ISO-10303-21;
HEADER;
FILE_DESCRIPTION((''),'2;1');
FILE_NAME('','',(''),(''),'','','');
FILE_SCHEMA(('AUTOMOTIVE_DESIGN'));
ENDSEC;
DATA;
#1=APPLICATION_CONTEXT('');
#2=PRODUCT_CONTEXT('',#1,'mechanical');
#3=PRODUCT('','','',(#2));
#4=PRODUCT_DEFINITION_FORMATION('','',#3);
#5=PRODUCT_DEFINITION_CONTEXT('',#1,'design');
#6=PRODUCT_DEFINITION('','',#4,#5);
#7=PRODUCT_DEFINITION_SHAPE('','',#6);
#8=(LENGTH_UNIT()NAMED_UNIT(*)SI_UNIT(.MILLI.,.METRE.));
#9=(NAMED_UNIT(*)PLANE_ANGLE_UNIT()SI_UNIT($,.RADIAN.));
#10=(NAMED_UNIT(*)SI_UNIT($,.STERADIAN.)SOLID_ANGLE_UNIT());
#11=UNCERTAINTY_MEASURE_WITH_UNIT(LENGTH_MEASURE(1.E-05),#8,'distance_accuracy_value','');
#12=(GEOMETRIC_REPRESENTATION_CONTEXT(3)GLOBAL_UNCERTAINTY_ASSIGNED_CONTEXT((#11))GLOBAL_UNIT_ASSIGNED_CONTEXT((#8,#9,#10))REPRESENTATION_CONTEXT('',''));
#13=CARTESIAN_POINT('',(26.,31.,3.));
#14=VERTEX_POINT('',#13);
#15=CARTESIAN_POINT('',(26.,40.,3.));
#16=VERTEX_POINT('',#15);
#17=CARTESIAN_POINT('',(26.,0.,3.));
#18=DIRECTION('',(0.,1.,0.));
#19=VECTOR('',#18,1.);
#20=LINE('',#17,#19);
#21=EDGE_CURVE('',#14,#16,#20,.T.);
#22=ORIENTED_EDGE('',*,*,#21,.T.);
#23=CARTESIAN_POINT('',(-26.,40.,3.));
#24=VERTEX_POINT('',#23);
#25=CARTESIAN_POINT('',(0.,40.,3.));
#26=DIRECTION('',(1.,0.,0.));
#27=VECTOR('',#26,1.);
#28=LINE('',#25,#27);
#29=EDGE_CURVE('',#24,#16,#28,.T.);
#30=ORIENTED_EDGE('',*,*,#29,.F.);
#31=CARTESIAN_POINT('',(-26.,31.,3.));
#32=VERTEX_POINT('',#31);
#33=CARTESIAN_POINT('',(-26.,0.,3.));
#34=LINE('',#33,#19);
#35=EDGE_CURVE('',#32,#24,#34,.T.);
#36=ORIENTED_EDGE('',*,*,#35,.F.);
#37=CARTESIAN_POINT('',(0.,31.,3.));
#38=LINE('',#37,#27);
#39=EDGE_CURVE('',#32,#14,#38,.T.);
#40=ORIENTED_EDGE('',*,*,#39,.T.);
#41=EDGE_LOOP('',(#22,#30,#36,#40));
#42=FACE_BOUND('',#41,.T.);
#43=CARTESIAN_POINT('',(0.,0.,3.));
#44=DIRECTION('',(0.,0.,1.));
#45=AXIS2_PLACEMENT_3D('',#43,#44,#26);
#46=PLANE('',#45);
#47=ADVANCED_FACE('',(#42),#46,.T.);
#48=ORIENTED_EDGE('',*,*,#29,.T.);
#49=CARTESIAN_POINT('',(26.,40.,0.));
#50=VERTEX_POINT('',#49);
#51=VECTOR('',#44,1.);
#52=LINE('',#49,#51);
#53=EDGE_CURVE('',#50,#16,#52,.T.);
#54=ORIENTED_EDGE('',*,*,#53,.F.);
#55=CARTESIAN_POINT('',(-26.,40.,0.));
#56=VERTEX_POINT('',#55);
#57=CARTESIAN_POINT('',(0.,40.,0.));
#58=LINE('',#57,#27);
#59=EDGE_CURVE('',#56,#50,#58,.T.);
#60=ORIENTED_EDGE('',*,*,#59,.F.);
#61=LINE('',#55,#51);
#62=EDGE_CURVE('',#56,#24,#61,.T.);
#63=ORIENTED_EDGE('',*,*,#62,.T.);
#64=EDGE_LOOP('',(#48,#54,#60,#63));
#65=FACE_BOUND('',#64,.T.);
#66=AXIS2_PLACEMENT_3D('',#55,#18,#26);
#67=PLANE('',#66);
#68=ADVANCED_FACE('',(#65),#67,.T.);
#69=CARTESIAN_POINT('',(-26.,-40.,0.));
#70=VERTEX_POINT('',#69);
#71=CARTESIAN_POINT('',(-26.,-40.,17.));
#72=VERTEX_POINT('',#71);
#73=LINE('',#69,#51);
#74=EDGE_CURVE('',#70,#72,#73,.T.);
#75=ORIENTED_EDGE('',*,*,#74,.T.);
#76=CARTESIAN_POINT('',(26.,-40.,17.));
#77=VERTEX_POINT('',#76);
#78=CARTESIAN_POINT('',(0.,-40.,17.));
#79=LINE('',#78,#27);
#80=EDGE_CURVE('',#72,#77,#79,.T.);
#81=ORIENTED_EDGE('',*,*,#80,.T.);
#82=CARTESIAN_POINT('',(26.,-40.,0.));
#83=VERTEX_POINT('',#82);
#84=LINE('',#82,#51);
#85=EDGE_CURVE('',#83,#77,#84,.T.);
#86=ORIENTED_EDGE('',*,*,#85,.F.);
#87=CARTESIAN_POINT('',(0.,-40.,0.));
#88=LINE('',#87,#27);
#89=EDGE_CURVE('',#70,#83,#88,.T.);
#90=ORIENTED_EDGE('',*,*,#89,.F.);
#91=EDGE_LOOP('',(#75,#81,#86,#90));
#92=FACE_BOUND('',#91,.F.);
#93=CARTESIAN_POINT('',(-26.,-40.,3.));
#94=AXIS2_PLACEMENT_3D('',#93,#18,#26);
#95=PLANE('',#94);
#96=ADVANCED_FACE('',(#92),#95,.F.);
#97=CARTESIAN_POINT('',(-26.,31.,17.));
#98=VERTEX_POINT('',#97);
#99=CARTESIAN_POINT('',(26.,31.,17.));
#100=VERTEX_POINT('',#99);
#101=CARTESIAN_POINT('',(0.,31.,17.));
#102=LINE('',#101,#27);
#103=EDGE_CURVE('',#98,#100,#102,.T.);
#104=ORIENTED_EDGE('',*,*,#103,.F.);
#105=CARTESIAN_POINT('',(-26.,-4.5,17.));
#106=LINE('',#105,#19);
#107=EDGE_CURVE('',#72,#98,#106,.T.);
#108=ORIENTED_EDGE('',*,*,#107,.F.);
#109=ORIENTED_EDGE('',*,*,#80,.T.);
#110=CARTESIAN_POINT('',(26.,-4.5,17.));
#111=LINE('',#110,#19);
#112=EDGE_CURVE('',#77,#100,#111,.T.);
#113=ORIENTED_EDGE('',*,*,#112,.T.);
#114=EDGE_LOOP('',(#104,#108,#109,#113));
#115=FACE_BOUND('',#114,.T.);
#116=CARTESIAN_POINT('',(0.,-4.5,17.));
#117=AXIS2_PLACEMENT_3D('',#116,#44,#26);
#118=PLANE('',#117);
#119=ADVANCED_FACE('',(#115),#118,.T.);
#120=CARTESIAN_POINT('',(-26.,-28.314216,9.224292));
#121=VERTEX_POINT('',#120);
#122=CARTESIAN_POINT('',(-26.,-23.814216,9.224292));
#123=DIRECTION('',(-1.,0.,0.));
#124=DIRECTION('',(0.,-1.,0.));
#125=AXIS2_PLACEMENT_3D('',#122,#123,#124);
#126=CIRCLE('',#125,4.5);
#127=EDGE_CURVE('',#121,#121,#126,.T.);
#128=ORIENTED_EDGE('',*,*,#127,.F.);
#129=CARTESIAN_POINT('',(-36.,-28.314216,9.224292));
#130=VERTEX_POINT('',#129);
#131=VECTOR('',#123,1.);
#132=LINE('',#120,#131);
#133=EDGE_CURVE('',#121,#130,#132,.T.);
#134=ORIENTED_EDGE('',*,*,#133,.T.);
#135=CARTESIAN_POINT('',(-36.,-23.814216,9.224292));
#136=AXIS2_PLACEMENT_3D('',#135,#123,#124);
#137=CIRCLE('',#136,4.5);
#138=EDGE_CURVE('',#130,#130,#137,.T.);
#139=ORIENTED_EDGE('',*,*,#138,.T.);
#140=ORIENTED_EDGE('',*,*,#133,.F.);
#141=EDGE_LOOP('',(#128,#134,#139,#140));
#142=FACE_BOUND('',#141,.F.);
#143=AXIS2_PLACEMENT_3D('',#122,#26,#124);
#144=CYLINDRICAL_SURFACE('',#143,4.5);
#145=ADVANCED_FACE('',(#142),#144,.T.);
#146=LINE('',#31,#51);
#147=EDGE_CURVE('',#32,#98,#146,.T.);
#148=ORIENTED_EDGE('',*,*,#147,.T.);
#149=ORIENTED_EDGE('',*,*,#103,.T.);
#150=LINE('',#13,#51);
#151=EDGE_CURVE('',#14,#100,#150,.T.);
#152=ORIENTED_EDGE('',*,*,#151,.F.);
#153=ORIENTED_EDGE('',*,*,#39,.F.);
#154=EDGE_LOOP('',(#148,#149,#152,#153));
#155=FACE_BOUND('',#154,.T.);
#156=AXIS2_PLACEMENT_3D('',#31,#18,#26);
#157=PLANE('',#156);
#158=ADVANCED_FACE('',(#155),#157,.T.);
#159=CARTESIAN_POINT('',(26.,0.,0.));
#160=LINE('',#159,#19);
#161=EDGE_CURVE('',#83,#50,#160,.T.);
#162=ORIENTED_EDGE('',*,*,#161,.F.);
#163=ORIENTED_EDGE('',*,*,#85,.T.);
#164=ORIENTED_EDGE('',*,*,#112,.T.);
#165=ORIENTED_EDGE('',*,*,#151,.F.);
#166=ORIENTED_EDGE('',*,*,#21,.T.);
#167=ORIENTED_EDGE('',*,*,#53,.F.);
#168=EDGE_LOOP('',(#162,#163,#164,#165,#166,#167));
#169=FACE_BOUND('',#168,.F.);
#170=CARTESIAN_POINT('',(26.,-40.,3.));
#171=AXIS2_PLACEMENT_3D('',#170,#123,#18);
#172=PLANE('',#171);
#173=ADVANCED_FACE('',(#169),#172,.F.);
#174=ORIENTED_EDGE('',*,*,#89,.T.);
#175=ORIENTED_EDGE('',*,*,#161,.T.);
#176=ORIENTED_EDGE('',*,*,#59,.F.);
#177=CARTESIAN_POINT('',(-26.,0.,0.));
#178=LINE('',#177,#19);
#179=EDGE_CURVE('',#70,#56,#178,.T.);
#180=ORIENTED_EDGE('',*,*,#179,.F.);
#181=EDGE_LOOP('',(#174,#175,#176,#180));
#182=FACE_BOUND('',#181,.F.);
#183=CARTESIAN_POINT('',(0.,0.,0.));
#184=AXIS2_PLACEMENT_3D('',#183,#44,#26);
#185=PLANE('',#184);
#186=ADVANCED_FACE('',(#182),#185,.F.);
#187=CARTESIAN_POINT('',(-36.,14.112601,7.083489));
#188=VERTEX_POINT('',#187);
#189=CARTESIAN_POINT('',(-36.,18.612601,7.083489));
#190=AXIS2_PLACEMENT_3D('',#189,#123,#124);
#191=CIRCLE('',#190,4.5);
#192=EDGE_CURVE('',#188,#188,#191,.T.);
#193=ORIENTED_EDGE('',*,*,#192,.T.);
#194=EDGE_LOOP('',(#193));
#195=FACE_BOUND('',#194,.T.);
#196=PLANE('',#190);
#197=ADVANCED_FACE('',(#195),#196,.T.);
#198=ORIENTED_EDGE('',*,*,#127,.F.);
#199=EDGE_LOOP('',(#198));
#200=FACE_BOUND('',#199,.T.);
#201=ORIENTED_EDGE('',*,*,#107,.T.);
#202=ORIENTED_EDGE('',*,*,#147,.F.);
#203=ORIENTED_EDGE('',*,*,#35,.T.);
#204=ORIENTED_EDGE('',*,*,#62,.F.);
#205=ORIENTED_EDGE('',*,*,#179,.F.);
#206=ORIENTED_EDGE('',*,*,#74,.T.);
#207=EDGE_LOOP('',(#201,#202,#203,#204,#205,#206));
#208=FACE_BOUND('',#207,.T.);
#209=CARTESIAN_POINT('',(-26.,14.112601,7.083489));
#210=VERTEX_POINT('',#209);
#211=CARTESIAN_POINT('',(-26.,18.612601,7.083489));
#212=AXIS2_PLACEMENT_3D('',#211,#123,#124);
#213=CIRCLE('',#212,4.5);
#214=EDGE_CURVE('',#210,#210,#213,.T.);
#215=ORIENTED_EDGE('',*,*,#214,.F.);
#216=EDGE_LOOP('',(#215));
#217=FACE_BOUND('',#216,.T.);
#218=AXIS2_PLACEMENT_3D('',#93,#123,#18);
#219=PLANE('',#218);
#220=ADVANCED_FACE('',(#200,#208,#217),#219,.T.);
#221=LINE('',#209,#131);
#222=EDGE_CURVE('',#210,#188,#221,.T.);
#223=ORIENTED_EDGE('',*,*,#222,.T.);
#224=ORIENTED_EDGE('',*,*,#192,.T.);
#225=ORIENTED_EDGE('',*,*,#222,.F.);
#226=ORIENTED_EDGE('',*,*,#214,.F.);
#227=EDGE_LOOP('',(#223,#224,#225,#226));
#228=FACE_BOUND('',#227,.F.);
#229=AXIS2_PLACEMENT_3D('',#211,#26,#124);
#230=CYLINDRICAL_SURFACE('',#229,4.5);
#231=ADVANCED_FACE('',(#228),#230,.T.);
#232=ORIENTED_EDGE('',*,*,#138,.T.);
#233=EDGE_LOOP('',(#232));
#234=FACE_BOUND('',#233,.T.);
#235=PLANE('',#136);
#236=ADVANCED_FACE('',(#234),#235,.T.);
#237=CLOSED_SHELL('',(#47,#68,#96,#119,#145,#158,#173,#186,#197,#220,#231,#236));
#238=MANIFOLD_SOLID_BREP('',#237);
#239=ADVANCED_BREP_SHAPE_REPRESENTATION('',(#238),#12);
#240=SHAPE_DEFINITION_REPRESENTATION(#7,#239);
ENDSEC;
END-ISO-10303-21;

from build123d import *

# Parameters (mm, degrees)
F0_W     = 52
F0_H     = 80
F1_DEPTH = 3
F2_W     = 52
F2_H     = 71
F3_DEPTH = 14
F4_R     = 4.5
F5_DEPTH = 10


with BuildPart() as f1:
    # F0 (on Top) → F1 (new body)
    with BuildSketch(Plane.XY):
        Rectangle(F0_W, F0_H)
    extrude(amount=F1_DEPTH)

    # F2 (on face) → F3 (join)
    with BuildSketch(Plane.XY.offset(3)):
        with Locations((0, -4.5)):
            Rectangle(F2_W, F2_H)
    extrude(amount=F3_DEPTH)

    # F4 (on face) → F5 (join)
    with BuildSketch(Plane(origin=(-26, 0, 0), x_dir=(0, -1, 0), z_dir=(-1, 0, 0))):
        with Locations((23.814216, 9.224292)):
            Circle(F4_R)
        with Locations((-18.612601, 7.083489)):
            Circle(F4_R)
    extrude(amount=F5_DEPTH)


solid = f1.part
